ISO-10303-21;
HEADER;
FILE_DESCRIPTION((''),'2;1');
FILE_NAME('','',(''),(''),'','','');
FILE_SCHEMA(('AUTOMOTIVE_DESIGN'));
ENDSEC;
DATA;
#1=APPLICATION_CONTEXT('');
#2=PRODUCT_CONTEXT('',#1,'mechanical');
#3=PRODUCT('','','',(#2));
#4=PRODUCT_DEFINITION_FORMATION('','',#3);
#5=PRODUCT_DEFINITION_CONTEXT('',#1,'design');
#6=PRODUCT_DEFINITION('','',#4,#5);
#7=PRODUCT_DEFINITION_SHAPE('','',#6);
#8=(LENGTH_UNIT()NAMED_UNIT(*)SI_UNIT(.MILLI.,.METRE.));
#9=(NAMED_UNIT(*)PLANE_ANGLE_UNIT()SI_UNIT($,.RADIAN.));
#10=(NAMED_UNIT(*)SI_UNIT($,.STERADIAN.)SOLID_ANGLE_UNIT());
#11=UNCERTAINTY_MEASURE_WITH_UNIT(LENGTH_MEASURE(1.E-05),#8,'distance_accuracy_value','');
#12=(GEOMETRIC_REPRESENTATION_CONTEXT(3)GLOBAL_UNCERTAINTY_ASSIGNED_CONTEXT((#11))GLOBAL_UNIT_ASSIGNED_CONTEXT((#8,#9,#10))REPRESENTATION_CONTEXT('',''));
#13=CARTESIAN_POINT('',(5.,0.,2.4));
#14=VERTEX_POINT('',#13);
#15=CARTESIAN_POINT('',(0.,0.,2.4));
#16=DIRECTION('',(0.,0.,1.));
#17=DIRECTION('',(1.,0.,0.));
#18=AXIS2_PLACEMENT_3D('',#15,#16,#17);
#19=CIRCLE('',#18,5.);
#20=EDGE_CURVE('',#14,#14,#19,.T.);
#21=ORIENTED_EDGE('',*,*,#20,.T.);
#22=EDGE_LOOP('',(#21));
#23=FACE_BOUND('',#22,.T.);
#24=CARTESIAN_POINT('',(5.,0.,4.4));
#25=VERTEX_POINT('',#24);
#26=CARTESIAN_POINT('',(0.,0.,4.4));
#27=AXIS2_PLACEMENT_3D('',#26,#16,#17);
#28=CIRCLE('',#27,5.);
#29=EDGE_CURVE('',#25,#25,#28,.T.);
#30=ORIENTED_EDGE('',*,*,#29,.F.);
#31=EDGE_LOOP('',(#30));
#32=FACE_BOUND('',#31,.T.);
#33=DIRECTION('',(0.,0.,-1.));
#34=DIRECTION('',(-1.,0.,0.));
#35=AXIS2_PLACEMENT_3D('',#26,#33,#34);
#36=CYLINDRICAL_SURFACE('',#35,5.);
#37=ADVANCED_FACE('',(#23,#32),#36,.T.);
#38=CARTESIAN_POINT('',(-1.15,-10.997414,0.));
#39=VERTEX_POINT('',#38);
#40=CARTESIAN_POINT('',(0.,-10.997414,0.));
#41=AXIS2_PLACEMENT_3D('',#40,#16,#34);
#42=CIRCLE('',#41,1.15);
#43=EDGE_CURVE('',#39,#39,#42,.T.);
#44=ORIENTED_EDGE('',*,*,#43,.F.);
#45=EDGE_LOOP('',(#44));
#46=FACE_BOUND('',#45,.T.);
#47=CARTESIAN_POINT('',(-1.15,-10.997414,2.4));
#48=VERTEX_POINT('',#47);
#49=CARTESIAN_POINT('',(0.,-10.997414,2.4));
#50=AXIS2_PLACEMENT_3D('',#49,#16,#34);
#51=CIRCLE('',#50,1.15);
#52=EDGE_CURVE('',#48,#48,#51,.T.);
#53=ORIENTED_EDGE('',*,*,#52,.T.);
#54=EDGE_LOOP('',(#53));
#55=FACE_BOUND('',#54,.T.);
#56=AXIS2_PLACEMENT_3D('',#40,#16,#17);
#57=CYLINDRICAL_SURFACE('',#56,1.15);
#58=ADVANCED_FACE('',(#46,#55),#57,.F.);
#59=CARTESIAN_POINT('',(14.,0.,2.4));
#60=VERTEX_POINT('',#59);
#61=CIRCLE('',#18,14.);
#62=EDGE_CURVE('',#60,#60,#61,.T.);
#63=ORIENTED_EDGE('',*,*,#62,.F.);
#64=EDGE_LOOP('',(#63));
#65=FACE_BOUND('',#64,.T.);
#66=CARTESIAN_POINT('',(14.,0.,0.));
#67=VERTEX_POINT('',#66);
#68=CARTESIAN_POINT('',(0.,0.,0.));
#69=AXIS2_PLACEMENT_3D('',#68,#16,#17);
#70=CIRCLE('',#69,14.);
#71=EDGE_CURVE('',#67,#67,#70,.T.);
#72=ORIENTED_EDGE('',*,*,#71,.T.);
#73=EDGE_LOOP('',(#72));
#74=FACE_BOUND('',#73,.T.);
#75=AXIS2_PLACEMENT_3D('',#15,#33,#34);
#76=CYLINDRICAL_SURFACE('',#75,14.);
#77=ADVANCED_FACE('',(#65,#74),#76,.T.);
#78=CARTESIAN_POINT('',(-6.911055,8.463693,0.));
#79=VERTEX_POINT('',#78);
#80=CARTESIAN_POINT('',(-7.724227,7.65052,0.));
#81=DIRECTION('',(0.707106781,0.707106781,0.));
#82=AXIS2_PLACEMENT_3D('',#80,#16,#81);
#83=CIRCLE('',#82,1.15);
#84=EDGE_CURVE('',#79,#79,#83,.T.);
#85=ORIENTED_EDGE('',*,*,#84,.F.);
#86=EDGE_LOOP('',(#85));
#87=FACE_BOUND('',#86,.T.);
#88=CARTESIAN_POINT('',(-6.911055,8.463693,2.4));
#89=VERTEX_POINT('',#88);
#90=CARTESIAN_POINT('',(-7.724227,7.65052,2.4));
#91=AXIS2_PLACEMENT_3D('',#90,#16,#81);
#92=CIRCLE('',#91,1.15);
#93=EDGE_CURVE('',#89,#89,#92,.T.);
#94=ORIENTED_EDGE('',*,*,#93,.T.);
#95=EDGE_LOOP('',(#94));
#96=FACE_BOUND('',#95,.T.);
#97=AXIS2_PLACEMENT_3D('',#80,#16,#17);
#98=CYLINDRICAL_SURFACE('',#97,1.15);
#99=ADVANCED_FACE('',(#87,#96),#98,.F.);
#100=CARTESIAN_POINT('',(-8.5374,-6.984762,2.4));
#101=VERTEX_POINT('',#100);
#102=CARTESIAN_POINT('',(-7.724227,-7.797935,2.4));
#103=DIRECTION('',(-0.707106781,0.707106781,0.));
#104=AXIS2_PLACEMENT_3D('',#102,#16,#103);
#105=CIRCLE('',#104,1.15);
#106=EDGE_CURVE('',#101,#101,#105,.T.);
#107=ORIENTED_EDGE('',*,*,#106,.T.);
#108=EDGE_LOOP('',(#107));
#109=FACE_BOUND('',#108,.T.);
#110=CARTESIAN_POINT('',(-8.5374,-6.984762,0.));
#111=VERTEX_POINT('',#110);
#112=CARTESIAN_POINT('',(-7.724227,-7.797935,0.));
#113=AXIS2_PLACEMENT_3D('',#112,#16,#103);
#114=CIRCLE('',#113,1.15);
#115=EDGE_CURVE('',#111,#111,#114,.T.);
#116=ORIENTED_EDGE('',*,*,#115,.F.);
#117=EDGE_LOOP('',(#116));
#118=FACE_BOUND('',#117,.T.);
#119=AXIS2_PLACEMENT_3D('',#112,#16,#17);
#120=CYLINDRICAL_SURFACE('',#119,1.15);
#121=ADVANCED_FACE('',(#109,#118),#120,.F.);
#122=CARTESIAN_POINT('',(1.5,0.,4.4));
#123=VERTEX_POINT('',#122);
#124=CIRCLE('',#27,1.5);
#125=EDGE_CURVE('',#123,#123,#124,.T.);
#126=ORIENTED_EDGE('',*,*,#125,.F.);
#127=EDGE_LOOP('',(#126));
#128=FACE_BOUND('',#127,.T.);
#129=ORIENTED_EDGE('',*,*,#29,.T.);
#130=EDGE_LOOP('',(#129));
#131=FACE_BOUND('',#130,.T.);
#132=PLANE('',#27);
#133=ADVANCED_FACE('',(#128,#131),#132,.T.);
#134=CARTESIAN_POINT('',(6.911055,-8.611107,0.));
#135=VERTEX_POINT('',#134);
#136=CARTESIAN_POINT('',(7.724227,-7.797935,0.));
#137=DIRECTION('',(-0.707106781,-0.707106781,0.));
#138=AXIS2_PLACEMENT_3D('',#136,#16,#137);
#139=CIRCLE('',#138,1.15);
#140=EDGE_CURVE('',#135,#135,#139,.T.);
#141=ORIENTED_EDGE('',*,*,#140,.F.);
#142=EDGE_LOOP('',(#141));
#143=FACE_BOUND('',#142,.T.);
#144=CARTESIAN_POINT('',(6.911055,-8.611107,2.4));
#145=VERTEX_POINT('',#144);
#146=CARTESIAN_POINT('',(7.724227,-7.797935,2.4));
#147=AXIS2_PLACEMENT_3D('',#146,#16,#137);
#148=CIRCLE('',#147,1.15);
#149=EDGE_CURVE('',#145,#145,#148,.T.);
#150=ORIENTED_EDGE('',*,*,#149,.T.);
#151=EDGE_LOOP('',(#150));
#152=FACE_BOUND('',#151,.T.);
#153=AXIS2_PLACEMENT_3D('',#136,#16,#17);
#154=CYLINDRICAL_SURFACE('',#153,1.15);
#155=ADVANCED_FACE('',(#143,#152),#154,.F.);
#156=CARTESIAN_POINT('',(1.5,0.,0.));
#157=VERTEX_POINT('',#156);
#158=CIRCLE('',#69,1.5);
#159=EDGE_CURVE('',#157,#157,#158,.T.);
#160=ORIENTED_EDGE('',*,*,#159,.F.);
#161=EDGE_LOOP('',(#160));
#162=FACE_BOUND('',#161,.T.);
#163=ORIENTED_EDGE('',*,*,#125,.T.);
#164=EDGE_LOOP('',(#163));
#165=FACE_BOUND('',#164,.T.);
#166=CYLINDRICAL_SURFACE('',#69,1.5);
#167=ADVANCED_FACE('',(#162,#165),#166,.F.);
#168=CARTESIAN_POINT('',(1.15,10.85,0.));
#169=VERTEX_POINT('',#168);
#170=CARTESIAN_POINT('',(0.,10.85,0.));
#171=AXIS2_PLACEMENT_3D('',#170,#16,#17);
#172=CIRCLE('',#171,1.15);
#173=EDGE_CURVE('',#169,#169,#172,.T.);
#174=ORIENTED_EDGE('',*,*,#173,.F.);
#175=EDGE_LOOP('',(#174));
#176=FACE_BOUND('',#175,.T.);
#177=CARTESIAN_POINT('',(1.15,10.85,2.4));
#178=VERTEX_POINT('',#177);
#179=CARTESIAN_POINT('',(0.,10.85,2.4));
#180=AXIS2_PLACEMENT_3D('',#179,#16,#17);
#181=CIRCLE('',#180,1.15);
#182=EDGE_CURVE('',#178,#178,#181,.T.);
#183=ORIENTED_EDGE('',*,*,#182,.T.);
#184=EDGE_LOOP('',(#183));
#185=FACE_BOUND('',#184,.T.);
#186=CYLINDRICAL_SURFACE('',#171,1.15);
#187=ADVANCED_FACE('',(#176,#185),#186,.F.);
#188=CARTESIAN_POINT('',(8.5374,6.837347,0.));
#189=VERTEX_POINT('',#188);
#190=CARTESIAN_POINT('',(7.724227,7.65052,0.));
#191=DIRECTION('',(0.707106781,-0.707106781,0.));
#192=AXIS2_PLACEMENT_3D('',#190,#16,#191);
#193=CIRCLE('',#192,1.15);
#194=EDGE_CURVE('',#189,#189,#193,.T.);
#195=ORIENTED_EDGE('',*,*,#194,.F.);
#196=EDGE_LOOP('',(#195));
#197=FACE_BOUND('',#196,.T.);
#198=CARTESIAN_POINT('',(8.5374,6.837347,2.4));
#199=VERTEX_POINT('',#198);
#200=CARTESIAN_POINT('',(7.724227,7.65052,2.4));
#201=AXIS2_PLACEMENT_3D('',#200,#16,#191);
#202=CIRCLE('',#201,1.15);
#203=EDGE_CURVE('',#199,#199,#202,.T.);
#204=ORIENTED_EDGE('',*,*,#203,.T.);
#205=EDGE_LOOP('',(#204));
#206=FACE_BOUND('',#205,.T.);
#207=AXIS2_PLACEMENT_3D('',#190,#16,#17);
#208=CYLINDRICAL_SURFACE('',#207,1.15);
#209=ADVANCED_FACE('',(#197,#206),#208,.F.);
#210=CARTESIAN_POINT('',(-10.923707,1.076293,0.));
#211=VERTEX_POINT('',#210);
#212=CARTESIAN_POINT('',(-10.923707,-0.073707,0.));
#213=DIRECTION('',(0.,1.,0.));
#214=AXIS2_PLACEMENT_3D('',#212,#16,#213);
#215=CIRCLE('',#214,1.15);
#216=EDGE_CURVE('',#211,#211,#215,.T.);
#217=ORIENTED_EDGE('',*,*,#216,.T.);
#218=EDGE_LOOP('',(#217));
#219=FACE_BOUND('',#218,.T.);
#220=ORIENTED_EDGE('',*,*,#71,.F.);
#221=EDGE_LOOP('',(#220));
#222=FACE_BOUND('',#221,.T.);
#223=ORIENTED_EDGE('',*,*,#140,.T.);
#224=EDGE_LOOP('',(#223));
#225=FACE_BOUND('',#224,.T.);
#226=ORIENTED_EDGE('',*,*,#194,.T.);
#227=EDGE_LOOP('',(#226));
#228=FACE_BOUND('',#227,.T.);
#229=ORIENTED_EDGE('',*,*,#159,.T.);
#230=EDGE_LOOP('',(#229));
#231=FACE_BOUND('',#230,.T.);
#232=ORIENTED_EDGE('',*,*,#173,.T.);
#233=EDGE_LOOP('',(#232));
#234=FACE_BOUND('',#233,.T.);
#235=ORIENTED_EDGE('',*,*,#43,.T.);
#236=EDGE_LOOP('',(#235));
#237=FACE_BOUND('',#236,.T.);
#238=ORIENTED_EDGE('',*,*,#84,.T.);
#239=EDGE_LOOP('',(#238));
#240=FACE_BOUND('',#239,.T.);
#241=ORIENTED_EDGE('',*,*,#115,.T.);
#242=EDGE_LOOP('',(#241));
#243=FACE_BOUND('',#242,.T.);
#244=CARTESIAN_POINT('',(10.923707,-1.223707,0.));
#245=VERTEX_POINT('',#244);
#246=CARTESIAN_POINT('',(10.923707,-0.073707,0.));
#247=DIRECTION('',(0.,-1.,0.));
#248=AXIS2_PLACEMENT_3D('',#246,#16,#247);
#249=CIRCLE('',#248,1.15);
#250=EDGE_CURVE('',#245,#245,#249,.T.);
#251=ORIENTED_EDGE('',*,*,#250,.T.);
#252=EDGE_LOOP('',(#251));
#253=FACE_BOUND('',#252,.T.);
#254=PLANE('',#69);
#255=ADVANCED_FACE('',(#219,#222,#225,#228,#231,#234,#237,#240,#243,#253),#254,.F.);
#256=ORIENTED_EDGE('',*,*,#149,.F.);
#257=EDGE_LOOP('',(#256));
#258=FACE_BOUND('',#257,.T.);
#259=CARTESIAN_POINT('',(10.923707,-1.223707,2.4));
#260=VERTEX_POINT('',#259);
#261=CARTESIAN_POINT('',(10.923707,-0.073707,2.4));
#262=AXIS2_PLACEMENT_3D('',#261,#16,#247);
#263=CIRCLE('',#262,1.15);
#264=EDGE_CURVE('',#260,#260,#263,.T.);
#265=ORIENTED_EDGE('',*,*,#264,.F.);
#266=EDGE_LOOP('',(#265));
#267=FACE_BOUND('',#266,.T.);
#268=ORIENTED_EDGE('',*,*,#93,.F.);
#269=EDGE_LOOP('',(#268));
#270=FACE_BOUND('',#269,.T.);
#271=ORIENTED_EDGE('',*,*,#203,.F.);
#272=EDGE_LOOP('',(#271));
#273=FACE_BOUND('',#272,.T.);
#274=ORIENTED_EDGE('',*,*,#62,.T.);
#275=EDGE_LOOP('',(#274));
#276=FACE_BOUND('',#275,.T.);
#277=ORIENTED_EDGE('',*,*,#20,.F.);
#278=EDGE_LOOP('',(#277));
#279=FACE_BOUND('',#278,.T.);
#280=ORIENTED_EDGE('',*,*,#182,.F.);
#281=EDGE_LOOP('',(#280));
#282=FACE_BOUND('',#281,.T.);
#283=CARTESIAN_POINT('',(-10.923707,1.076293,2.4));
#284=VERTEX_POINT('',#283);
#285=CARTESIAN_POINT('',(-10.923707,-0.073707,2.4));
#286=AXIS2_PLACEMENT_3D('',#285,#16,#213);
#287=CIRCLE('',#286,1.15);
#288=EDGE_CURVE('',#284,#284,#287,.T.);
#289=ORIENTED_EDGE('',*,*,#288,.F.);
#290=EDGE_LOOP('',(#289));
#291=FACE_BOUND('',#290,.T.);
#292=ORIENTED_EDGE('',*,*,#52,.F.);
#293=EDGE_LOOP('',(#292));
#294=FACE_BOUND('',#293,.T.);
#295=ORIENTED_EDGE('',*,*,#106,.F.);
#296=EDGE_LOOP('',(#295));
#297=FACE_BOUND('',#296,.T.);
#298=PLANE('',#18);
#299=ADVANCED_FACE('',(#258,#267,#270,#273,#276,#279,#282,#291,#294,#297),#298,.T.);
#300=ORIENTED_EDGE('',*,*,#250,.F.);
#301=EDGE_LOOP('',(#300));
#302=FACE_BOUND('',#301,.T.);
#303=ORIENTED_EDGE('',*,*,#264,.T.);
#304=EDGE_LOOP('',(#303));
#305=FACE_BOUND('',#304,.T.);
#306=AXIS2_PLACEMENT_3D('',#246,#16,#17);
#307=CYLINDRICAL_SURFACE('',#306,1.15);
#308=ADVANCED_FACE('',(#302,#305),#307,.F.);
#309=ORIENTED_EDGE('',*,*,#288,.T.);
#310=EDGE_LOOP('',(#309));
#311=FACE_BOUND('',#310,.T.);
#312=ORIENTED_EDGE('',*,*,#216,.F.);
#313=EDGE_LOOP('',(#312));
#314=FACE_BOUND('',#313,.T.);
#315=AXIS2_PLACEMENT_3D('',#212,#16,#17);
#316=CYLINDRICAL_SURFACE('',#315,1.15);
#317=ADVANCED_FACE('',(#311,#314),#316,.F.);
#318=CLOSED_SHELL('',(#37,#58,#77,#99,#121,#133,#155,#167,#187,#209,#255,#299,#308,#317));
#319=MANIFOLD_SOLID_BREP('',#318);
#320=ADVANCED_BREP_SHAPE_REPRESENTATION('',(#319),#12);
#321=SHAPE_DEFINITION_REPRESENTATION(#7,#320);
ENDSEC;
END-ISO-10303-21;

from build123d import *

# Parameters (mm, degrees)
SKETCH1_R           = 14
BOSS_EXTRUDE1_DEPTH = 2.4
SKETCH2_R           = 1.15
CUT_EXTRUDE1_DEPTH  = 20.94392138
CIRPATTERN2_COUNT   = 8
SKETCH4_R           = 5
BOSS_EXTRUDE2_DEPTH = 2
SKETCH5_R           = 1.5
CUT_EXTRUDE3_DEPTH  = 21.282011735


with BuildPart() as part:
    # Sketch1 → Boss-Extrude1 (new body)
    with BuildSketch(Plane.XY):
        Circle(SKETCH1_R)
    extrude(amount=BOSS_EXTRUDE1_DEPTH)

    # Sketch2 → Cut-Extrude1 (cut, through all)
    with BuildSketch(Plane.XY.offset(2.4)):
        with Locations((0, 10.85)):
            Circle(SKETCH2_R)
    cut_extrude1 = extrude(amount=-CUT_EXTRUDE1_DEPTH, mode=Mode.SUBTRACT)

    # CirPattern2: Cut-Extrude1 ×8 about axis
    cirpattern2_axis = Axis((0, -0.073707157, 0), (0, 0, 1))
    for i in range(1, CIRPATTERN2_COUNT):
        add(cut_extrude1.rotate(cirpattern2_axis, i * 360 / CIRPATTERN2_COUNT), mode=Mode.SUBTRACT)

    # Sketch4 → Boss-Extrude2 (add)
    with BuildSketch(Plane.XY.offset(2.4)):
        Circle(SKETCH4_R)
    extrude(amount=BOSS_EXTRUDE2_DEPTH)

    # Sketch5 → Cut-Extrude3 (cut, through all)
    with BuildSketch(Plane.XY.offset(4.4)):
        Circle(SKETCH5_R)
    extrude(amount=-CUT_EXTRUDE3_DEPTH, mode=Mode.SUBTRACT)


solid = part.part
